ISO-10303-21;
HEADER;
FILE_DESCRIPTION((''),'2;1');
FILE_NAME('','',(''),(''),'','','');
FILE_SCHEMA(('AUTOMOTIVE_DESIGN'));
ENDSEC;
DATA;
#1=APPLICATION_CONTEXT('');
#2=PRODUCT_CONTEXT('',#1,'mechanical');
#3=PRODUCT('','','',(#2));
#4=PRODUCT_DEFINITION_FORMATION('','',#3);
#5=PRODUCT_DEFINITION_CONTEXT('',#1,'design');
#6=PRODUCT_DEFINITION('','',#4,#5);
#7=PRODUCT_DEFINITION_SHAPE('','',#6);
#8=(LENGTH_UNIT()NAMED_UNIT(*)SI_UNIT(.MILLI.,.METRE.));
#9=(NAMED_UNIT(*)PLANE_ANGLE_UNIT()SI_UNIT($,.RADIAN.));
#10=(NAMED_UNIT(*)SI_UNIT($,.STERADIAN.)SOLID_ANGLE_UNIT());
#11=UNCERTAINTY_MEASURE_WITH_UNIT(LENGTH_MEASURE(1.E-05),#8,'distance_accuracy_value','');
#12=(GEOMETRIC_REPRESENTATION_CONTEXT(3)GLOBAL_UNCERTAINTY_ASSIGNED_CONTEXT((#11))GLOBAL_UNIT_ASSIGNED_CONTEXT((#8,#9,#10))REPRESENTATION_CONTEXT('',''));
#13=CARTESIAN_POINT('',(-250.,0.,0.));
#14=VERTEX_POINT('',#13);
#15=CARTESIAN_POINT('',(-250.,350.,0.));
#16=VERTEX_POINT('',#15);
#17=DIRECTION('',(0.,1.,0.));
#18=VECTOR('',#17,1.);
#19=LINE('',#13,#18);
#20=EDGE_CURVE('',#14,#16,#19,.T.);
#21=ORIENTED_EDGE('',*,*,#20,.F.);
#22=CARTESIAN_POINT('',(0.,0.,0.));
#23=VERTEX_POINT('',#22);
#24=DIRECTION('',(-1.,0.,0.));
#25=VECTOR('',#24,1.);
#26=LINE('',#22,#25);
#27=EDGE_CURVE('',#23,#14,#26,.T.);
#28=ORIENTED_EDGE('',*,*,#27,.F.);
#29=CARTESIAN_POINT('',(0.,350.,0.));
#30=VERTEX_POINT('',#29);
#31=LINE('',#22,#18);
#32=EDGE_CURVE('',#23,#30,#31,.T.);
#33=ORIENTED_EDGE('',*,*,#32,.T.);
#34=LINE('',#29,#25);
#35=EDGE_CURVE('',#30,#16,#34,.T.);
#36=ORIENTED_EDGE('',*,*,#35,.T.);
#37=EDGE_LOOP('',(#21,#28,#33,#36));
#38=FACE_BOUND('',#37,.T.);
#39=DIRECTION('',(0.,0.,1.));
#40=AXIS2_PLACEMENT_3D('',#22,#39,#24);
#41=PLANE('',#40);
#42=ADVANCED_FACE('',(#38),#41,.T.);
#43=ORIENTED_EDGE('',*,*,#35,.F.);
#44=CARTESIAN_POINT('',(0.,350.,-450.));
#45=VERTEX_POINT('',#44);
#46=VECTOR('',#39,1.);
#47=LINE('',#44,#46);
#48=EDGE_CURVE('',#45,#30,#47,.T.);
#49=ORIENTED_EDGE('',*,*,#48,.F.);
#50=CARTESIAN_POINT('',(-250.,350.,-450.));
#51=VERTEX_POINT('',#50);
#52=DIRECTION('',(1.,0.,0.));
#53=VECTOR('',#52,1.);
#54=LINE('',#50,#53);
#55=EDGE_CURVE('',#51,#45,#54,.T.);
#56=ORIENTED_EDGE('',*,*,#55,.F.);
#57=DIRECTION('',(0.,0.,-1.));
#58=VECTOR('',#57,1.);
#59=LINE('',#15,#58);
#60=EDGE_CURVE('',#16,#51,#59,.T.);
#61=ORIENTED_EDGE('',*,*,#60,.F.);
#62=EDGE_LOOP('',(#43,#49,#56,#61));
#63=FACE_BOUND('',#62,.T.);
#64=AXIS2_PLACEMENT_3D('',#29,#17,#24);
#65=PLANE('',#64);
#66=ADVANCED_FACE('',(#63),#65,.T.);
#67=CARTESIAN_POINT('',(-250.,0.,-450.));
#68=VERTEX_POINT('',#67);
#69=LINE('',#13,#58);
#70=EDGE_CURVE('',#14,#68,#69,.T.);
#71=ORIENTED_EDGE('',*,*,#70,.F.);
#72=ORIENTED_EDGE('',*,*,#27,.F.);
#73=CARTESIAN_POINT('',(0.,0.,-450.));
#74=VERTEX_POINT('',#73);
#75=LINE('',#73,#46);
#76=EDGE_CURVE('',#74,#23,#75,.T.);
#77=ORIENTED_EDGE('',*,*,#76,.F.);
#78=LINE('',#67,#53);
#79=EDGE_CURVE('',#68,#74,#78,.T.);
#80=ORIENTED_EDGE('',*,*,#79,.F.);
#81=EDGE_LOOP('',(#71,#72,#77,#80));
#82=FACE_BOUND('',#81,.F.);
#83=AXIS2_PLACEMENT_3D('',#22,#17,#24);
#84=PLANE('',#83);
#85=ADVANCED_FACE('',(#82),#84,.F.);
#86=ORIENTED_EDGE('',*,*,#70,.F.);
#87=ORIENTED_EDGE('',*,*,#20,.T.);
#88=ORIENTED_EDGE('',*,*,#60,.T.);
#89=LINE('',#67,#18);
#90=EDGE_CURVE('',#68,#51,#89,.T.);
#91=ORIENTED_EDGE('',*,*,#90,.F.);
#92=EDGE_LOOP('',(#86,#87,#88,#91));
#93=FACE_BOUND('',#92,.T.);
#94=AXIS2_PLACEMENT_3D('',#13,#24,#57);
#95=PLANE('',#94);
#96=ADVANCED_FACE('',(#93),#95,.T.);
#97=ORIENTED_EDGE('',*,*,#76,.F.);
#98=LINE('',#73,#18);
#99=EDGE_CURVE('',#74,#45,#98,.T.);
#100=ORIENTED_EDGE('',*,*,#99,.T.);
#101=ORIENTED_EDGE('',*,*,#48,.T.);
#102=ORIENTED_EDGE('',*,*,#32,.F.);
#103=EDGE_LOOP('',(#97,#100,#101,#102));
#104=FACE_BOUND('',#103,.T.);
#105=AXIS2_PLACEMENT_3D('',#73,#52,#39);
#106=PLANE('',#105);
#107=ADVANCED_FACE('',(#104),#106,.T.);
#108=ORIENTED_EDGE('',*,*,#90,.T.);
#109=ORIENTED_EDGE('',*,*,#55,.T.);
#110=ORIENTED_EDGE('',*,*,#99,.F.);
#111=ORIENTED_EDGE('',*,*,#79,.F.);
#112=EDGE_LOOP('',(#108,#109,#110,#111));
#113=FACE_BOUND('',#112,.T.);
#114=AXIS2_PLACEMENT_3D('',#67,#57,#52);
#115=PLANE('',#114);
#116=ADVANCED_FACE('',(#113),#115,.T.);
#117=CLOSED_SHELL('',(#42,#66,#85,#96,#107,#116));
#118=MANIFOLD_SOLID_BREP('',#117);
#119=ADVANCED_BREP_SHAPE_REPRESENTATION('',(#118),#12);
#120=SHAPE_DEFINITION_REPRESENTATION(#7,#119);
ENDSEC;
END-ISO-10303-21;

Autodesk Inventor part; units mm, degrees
ref_plane "YZ Plane" through (0, 0, 0) normal (1, 0, 0) x (0, 1, 0)
ref_plane "XZ Plane" through (0, 0, 0) normal (0, 1, 0) x (-1, 0, 0)
ref_plane "XY Plane" through (0, 0, 0) normal (0, 0, 1) x (1, 0, 0)
sketch "Sketch1" plane through (0, 0, 0) normal (0, 1, 0) x (-1, 0, 0)
  line L0 (0, 0) -> (250, 0)
  line L1 (250, 0) -> (250, -450)
  line L2 (250, -450) -> (0, -450)
  line L3 (0, -450) -> (0, 0)
  dimension "d0" = 250
  dimension "d1" = 450
extrude "Extrusion1" add sketch "Sketch1" along normal blind 350
properties part number "Discharge Station"
